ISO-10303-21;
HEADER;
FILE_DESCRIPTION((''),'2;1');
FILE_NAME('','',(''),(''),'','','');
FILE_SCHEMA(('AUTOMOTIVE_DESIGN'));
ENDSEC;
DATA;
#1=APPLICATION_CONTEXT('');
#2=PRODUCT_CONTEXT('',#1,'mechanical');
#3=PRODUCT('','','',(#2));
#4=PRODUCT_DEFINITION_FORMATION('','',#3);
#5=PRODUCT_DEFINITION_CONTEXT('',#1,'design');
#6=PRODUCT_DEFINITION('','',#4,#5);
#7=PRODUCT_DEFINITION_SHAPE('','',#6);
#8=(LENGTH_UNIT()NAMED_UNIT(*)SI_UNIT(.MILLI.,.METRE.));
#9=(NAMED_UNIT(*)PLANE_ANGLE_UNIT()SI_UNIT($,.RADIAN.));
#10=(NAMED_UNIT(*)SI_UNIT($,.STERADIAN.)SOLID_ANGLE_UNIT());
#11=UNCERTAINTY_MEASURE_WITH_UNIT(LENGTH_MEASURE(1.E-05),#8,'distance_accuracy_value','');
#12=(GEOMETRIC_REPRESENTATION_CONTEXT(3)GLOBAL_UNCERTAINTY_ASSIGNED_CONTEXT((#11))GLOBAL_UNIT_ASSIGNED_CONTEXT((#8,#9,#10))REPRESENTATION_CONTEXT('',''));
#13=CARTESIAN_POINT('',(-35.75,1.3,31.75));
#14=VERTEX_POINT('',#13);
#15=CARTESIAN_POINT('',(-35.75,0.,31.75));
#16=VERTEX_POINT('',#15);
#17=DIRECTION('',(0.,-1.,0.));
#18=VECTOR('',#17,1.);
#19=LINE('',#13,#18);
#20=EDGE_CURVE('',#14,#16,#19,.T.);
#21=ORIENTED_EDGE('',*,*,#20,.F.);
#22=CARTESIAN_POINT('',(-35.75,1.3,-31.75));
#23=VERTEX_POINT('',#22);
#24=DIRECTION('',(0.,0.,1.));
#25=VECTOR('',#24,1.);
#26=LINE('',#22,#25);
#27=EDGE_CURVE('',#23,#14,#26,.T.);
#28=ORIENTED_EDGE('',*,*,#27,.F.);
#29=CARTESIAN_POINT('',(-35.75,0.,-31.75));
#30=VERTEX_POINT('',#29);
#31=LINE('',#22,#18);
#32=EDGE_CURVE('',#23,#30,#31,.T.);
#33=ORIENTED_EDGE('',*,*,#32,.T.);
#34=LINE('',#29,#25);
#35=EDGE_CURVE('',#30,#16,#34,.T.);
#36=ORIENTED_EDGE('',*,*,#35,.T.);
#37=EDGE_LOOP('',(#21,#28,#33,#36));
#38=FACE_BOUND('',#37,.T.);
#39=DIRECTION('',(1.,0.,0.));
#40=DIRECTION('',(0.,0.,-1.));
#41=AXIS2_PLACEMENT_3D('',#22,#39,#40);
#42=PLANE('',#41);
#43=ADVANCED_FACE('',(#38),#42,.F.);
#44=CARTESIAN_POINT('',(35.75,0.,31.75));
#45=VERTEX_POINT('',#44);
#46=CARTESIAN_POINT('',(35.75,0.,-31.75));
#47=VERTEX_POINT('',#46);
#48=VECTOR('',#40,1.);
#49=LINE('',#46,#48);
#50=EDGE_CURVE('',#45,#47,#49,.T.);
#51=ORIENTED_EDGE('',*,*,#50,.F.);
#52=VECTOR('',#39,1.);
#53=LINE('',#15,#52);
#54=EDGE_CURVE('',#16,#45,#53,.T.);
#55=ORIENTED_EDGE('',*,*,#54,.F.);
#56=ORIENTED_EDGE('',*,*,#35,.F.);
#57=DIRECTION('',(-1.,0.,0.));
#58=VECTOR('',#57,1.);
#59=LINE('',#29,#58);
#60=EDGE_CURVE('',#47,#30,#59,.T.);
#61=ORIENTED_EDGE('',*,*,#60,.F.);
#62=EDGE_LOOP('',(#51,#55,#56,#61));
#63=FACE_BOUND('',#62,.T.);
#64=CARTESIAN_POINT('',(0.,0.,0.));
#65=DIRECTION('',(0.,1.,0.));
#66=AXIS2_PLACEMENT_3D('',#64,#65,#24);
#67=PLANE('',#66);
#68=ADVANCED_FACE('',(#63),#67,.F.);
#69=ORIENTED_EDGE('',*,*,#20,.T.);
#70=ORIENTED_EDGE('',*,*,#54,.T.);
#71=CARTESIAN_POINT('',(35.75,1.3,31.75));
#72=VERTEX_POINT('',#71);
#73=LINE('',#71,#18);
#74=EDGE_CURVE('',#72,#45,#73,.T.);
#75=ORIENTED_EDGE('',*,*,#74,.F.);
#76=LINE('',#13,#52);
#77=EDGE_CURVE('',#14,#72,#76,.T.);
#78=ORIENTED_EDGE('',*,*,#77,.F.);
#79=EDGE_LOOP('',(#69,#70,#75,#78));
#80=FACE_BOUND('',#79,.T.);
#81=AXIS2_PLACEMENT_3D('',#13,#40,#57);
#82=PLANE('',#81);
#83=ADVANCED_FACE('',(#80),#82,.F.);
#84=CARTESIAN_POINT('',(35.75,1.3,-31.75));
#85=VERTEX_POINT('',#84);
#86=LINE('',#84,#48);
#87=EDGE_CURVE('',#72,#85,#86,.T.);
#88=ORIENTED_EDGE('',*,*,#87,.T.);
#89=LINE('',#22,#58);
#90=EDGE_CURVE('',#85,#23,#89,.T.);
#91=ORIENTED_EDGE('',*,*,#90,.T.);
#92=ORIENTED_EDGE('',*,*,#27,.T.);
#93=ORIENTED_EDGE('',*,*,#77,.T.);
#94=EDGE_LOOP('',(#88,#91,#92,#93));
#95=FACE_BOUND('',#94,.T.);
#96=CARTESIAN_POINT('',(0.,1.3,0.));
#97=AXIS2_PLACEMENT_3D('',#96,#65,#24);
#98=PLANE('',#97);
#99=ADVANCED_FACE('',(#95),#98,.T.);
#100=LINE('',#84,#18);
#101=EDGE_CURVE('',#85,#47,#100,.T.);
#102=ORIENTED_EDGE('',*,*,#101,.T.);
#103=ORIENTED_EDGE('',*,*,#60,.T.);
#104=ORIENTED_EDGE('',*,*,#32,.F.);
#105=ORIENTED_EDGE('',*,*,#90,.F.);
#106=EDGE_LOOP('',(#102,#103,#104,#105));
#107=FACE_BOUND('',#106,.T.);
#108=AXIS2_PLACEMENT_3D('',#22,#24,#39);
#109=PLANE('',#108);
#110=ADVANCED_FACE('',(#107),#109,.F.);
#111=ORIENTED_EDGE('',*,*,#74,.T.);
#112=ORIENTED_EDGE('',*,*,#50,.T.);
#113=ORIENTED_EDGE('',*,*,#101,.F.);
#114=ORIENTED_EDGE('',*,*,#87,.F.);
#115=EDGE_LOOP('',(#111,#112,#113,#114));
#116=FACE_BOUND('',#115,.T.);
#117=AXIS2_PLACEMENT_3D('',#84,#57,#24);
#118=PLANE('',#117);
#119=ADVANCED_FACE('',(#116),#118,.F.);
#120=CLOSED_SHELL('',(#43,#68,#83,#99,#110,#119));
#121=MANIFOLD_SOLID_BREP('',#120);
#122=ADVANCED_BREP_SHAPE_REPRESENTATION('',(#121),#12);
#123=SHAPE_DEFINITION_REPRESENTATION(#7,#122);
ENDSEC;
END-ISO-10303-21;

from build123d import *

# Parameters (mm, degrees)
SKETCH1_W           = 71.5
SKETCH1_H           = 63.5
BOSS_EXTRUDE1_DEPTH = 1.3


with BuildPart() as part:
    # Sketch1 → Boss-Extrude1 (new body)
    with BuildSketch(Plane(origin=(0, 0, 0), x_dir=(1, 0, 0), z_dir=(0, 1, 0))):
        Rectangle(SKETCH1_W, SKETCH1_H)
    extrude(amount=BOSS_EXTRUDE1_DEPTH)


solid = part.part
